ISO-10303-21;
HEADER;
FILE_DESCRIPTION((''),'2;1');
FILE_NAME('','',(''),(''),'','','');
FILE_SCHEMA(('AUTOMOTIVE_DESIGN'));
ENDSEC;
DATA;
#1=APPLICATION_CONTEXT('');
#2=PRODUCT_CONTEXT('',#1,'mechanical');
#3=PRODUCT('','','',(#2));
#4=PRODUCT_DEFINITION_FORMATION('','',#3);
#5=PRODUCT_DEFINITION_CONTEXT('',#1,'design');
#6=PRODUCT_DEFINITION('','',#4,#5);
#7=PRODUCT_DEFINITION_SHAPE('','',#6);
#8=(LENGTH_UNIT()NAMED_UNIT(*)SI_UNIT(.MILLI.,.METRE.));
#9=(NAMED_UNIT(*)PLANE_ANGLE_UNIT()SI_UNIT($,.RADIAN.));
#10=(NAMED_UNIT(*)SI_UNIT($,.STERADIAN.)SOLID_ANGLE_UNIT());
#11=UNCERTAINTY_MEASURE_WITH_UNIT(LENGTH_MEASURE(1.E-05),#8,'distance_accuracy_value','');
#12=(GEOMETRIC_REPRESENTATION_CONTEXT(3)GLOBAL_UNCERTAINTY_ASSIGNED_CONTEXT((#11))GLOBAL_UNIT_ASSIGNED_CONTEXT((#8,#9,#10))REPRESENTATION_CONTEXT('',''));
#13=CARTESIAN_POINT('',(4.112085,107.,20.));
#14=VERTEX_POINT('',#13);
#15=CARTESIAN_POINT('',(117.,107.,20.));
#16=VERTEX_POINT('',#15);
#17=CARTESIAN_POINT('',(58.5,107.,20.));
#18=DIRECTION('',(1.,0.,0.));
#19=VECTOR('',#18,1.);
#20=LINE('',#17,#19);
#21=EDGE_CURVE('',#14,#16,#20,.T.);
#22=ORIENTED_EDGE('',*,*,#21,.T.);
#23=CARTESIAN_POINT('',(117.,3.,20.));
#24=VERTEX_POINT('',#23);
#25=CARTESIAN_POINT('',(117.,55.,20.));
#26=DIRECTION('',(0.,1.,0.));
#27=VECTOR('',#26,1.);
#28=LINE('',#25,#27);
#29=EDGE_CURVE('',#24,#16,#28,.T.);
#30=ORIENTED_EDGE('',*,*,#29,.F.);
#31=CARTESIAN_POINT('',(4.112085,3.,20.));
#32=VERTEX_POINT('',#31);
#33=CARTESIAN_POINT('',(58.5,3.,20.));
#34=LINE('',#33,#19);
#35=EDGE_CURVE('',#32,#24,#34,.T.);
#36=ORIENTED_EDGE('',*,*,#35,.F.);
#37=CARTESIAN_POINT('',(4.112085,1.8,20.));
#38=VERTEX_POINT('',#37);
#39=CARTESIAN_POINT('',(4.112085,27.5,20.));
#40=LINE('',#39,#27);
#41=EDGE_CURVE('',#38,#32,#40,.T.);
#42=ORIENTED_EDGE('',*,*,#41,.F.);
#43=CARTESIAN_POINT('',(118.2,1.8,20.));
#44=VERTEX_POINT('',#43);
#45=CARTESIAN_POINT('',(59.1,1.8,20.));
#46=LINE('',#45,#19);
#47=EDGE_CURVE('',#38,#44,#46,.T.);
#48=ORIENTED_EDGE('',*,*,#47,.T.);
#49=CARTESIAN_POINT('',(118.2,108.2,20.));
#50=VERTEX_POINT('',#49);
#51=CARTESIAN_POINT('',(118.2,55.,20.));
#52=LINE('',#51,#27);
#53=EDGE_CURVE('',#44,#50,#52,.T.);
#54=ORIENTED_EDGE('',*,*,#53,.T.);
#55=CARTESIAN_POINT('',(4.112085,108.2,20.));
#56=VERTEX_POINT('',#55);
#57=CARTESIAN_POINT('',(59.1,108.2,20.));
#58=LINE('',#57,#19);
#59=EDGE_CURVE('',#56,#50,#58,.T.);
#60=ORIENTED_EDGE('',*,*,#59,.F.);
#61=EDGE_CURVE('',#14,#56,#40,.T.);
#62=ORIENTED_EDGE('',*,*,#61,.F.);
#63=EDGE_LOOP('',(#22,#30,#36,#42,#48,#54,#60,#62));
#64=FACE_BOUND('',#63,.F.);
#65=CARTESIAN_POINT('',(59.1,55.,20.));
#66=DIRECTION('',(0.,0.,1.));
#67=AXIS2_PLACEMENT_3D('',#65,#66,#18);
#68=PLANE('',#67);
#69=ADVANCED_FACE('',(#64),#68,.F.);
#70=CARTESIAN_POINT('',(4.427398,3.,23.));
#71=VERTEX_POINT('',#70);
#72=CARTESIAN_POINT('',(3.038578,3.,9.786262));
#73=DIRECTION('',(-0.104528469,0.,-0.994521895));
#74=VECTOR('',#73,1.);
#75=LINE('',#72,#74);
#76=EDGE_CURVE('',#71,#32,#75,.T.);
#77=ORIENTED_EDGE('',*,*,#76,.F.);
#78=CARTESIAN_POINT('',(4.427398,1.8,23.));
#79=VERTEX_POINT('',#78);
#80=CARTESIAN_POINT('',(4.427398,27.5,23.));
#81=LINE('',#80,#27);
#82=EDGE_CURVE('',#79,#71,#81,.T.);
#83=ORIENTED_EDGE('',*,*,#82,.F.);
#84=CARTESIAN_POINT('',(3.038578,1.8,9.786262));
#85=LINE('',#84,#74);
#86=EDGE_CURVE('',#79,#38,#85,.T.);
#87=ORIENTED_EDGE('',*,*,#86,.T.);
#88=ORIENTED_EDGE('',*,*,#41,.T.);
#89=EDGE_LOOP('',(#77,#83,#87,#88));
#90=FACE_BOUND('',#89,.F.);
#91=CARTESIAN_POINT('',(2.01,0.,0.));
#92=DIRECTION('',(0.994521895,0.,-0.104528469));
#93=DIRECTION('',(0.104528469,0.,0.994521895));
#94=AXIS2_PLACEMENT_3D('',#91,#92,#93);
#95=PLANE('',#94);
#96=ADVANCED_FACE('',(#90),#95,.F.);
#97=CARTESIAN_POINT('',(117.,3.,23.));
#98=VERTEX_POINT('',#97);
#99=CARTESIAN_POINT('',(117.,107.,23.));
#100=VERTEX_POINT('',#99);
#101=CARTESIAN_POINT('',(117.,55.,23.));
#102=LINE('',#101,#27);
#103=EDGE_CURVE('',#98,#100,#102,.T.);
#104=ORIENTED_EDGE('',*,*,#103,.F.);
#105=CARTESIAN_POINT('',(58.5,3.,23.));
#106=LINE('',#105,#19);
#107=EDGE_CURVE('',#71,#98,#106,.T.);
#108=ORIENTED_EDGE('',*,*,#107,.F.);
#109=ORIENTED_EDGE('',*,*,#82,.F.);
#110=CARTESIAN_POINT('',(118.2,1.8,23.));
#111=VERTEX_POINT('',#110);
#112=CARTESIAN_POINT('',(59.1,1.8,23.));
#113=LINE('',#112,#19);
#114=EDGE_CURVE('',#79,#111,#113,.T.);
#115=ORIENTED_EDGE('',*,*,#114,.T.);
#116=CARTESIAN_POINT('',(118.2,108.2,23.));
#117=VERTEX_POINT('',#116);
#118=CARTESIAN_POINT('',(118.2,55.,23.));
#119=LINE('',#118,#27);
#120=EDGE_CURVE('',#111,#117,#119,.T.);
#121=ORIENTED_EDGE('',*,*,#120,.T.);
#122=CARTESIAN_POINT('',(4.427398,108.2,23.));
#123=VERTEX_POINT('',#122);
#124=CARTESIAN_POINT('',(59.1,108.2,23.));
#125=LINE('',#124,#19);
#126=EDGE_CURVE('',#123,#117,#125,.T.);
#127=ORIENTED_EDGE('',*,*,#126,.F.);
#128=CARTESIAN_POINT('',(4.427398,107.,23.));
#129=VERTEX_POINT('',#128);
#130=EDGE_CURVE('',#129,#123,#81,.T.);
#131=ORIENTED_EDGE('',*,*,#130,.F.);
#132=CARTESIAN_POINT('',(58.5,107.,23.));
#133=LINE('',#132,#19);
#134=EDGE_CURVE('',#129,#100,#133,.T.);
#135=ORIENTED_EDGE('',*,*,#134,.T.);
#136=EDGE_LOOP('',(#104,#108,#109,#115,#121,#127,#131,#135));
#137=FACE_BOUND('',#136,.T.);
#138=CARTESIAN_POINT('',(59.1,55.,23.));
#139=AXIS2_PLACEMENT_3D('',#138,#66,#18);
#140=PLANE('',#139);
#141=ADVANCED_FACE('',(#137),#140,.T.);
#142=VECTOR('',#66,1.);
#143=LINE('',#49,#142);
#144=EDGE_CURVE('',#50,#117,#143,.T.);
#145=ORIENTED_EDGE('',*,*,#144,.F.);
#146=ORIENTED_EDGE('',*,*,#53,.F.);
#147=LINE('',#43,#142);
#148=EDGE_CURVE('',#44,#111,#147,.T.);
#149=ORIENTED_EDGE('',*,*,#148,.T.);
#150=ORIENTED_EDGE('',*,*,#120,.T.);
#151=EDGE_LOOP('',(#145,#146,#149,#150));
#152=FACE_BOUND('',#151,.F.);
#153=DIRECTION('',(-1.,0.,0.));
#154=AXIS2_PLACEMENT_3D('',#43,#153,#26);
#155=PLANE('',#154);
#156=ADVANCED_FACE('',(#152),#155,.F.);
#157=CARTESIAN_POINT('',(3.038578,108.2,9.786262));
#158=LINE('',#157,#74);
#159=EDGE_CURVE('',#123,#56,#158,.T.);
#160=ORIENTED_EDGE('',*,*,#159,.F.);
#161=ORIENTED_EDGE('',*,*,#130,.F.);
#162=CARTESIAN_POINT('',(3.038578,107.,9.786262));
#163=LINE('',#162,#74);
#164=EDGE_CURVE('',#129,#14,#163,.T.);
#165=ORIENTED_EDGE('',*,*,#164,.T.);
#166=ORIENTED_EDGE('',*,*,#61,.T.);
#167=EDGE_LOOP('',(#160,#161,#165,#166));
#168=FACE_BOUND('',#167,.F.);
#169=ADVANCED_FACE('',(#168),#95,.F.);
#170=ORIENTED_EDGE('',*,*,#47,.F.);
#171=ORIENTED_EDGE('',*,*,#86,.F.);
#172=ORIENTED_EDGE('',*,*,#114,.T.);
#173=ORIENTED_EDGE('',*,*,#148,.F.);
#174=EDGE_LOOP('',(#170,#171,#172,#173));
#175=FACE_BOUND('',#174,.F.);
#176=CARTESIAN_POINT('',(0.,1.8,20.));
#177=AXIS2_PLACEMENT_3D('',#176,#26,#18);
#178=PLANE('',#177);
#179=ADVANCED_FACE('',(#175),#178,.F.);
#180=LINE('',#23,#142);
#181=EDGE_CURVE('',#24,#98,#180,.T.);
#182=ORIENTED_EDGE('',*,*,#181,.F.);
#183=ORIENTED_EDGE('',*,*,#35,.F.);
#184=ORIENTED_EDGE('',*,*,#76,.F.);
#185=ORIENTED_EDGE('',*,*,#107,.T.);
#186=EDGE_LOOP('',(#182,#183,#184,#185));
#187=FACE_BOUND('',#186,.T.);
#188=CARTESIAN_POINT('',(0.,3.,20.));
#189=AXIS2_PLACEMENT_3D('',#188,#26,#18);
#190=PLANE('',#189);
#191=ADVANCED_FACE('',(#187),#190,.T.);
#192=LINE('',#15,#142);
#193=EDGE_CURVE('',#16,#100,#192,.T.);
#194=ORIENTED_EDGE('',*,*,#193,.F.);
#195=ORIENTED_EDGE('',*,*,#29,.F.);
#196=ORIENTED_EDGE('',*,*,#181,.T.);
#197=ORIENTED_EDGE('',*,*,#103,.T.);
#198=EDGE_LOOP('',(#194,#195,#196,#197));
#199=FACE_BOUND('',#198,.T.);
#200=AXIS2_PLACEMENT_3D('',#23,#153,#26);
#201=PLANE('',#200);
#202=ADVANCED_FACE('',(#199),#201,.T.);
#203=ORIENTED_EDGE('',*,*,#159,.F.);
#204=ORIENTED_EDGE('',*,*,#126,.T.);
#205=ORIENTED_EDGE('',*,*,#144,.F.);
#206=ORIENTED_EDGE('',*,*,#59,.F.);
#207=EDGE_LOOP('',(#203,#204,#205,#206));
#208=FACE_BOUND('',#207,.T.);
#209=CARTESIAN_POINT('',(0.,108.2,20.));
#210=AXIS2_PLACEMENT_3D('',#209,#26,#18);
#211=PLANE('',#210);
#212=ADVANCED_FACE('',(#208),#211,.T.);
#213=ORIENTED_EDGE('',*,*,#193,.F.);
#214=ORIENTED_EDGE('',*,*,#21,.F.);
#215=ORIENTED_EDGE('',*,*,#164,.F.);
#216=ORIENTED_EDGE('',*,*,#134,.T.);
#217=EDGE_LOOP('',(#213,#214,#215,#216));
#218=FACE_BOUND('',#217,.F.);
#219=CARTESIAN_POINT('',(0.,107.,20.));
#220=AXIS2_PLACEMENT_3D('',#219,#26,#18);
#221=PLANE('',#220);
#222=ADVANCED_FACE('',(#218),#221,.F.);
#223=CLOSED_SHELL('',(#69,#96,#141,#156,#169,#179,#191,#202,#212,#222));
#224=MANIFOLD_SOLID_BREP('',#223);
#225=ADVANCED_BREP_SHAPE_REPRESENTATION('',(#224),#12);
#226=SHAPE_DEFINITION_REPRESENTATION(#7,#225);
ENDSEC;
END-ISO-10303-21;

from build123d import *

# Parameters (mm, degrees)
PAD005_DEPTH = 110
BOX049_W     = 117
BOX049_H     = 104
BOX049_DEPTH = 3
BOX048_W     = 118.2
BOX048_H     = 106.4
BOX048_DEPTH = 3


with BuildPart() as pad_rahmen:
    # Sketch010 → Pad005 (new body)
    with BuildSketch(Plane.XZ):
        Polygon((0, 0), (2.01, 0), (6.250278, 40.343548), (0, 40.343548), align=None)
    extrude(amount=-PAD005_DEPTH)


with BuildPart() as cube041:
    # Box049 → Box049 (new body)
    with BuildSketch(Plane(origin=(0, 1.2, 0), x_dir=(1, 0, 0), z_dir=(0, 0, 1))):
        with Locations((58.5, 52)):
            Rectangle(BOX049_W, BOX049_H)
    extrude(amount=BOX049_DEPTH)


with BuildPart() as rahmen_cut:
    # Box048 → Box048 (new body)
    with BuildSketch(Plane.XY):
        with Locations((59.1, 53.2)):
            Rectangle(BOX048_W, BOX048_H)
    extrude(amount=BOX048_DEPTH)

    # Cut048: cut Cube041
    add(cube041.part, mode=Mode.SUBTRACT)


with BuildPart() as rahmen_cut_1:
    # Cut048 placement: moved
    add(rahmen_cut.part.moved(Location((0, 1.8, 20))))

    # Cut049: cut Pad_Rahmen
    add(pad_rahmen.part, mode=Mode.SUBTRACT)


solid = rahmen_cut_1.part
